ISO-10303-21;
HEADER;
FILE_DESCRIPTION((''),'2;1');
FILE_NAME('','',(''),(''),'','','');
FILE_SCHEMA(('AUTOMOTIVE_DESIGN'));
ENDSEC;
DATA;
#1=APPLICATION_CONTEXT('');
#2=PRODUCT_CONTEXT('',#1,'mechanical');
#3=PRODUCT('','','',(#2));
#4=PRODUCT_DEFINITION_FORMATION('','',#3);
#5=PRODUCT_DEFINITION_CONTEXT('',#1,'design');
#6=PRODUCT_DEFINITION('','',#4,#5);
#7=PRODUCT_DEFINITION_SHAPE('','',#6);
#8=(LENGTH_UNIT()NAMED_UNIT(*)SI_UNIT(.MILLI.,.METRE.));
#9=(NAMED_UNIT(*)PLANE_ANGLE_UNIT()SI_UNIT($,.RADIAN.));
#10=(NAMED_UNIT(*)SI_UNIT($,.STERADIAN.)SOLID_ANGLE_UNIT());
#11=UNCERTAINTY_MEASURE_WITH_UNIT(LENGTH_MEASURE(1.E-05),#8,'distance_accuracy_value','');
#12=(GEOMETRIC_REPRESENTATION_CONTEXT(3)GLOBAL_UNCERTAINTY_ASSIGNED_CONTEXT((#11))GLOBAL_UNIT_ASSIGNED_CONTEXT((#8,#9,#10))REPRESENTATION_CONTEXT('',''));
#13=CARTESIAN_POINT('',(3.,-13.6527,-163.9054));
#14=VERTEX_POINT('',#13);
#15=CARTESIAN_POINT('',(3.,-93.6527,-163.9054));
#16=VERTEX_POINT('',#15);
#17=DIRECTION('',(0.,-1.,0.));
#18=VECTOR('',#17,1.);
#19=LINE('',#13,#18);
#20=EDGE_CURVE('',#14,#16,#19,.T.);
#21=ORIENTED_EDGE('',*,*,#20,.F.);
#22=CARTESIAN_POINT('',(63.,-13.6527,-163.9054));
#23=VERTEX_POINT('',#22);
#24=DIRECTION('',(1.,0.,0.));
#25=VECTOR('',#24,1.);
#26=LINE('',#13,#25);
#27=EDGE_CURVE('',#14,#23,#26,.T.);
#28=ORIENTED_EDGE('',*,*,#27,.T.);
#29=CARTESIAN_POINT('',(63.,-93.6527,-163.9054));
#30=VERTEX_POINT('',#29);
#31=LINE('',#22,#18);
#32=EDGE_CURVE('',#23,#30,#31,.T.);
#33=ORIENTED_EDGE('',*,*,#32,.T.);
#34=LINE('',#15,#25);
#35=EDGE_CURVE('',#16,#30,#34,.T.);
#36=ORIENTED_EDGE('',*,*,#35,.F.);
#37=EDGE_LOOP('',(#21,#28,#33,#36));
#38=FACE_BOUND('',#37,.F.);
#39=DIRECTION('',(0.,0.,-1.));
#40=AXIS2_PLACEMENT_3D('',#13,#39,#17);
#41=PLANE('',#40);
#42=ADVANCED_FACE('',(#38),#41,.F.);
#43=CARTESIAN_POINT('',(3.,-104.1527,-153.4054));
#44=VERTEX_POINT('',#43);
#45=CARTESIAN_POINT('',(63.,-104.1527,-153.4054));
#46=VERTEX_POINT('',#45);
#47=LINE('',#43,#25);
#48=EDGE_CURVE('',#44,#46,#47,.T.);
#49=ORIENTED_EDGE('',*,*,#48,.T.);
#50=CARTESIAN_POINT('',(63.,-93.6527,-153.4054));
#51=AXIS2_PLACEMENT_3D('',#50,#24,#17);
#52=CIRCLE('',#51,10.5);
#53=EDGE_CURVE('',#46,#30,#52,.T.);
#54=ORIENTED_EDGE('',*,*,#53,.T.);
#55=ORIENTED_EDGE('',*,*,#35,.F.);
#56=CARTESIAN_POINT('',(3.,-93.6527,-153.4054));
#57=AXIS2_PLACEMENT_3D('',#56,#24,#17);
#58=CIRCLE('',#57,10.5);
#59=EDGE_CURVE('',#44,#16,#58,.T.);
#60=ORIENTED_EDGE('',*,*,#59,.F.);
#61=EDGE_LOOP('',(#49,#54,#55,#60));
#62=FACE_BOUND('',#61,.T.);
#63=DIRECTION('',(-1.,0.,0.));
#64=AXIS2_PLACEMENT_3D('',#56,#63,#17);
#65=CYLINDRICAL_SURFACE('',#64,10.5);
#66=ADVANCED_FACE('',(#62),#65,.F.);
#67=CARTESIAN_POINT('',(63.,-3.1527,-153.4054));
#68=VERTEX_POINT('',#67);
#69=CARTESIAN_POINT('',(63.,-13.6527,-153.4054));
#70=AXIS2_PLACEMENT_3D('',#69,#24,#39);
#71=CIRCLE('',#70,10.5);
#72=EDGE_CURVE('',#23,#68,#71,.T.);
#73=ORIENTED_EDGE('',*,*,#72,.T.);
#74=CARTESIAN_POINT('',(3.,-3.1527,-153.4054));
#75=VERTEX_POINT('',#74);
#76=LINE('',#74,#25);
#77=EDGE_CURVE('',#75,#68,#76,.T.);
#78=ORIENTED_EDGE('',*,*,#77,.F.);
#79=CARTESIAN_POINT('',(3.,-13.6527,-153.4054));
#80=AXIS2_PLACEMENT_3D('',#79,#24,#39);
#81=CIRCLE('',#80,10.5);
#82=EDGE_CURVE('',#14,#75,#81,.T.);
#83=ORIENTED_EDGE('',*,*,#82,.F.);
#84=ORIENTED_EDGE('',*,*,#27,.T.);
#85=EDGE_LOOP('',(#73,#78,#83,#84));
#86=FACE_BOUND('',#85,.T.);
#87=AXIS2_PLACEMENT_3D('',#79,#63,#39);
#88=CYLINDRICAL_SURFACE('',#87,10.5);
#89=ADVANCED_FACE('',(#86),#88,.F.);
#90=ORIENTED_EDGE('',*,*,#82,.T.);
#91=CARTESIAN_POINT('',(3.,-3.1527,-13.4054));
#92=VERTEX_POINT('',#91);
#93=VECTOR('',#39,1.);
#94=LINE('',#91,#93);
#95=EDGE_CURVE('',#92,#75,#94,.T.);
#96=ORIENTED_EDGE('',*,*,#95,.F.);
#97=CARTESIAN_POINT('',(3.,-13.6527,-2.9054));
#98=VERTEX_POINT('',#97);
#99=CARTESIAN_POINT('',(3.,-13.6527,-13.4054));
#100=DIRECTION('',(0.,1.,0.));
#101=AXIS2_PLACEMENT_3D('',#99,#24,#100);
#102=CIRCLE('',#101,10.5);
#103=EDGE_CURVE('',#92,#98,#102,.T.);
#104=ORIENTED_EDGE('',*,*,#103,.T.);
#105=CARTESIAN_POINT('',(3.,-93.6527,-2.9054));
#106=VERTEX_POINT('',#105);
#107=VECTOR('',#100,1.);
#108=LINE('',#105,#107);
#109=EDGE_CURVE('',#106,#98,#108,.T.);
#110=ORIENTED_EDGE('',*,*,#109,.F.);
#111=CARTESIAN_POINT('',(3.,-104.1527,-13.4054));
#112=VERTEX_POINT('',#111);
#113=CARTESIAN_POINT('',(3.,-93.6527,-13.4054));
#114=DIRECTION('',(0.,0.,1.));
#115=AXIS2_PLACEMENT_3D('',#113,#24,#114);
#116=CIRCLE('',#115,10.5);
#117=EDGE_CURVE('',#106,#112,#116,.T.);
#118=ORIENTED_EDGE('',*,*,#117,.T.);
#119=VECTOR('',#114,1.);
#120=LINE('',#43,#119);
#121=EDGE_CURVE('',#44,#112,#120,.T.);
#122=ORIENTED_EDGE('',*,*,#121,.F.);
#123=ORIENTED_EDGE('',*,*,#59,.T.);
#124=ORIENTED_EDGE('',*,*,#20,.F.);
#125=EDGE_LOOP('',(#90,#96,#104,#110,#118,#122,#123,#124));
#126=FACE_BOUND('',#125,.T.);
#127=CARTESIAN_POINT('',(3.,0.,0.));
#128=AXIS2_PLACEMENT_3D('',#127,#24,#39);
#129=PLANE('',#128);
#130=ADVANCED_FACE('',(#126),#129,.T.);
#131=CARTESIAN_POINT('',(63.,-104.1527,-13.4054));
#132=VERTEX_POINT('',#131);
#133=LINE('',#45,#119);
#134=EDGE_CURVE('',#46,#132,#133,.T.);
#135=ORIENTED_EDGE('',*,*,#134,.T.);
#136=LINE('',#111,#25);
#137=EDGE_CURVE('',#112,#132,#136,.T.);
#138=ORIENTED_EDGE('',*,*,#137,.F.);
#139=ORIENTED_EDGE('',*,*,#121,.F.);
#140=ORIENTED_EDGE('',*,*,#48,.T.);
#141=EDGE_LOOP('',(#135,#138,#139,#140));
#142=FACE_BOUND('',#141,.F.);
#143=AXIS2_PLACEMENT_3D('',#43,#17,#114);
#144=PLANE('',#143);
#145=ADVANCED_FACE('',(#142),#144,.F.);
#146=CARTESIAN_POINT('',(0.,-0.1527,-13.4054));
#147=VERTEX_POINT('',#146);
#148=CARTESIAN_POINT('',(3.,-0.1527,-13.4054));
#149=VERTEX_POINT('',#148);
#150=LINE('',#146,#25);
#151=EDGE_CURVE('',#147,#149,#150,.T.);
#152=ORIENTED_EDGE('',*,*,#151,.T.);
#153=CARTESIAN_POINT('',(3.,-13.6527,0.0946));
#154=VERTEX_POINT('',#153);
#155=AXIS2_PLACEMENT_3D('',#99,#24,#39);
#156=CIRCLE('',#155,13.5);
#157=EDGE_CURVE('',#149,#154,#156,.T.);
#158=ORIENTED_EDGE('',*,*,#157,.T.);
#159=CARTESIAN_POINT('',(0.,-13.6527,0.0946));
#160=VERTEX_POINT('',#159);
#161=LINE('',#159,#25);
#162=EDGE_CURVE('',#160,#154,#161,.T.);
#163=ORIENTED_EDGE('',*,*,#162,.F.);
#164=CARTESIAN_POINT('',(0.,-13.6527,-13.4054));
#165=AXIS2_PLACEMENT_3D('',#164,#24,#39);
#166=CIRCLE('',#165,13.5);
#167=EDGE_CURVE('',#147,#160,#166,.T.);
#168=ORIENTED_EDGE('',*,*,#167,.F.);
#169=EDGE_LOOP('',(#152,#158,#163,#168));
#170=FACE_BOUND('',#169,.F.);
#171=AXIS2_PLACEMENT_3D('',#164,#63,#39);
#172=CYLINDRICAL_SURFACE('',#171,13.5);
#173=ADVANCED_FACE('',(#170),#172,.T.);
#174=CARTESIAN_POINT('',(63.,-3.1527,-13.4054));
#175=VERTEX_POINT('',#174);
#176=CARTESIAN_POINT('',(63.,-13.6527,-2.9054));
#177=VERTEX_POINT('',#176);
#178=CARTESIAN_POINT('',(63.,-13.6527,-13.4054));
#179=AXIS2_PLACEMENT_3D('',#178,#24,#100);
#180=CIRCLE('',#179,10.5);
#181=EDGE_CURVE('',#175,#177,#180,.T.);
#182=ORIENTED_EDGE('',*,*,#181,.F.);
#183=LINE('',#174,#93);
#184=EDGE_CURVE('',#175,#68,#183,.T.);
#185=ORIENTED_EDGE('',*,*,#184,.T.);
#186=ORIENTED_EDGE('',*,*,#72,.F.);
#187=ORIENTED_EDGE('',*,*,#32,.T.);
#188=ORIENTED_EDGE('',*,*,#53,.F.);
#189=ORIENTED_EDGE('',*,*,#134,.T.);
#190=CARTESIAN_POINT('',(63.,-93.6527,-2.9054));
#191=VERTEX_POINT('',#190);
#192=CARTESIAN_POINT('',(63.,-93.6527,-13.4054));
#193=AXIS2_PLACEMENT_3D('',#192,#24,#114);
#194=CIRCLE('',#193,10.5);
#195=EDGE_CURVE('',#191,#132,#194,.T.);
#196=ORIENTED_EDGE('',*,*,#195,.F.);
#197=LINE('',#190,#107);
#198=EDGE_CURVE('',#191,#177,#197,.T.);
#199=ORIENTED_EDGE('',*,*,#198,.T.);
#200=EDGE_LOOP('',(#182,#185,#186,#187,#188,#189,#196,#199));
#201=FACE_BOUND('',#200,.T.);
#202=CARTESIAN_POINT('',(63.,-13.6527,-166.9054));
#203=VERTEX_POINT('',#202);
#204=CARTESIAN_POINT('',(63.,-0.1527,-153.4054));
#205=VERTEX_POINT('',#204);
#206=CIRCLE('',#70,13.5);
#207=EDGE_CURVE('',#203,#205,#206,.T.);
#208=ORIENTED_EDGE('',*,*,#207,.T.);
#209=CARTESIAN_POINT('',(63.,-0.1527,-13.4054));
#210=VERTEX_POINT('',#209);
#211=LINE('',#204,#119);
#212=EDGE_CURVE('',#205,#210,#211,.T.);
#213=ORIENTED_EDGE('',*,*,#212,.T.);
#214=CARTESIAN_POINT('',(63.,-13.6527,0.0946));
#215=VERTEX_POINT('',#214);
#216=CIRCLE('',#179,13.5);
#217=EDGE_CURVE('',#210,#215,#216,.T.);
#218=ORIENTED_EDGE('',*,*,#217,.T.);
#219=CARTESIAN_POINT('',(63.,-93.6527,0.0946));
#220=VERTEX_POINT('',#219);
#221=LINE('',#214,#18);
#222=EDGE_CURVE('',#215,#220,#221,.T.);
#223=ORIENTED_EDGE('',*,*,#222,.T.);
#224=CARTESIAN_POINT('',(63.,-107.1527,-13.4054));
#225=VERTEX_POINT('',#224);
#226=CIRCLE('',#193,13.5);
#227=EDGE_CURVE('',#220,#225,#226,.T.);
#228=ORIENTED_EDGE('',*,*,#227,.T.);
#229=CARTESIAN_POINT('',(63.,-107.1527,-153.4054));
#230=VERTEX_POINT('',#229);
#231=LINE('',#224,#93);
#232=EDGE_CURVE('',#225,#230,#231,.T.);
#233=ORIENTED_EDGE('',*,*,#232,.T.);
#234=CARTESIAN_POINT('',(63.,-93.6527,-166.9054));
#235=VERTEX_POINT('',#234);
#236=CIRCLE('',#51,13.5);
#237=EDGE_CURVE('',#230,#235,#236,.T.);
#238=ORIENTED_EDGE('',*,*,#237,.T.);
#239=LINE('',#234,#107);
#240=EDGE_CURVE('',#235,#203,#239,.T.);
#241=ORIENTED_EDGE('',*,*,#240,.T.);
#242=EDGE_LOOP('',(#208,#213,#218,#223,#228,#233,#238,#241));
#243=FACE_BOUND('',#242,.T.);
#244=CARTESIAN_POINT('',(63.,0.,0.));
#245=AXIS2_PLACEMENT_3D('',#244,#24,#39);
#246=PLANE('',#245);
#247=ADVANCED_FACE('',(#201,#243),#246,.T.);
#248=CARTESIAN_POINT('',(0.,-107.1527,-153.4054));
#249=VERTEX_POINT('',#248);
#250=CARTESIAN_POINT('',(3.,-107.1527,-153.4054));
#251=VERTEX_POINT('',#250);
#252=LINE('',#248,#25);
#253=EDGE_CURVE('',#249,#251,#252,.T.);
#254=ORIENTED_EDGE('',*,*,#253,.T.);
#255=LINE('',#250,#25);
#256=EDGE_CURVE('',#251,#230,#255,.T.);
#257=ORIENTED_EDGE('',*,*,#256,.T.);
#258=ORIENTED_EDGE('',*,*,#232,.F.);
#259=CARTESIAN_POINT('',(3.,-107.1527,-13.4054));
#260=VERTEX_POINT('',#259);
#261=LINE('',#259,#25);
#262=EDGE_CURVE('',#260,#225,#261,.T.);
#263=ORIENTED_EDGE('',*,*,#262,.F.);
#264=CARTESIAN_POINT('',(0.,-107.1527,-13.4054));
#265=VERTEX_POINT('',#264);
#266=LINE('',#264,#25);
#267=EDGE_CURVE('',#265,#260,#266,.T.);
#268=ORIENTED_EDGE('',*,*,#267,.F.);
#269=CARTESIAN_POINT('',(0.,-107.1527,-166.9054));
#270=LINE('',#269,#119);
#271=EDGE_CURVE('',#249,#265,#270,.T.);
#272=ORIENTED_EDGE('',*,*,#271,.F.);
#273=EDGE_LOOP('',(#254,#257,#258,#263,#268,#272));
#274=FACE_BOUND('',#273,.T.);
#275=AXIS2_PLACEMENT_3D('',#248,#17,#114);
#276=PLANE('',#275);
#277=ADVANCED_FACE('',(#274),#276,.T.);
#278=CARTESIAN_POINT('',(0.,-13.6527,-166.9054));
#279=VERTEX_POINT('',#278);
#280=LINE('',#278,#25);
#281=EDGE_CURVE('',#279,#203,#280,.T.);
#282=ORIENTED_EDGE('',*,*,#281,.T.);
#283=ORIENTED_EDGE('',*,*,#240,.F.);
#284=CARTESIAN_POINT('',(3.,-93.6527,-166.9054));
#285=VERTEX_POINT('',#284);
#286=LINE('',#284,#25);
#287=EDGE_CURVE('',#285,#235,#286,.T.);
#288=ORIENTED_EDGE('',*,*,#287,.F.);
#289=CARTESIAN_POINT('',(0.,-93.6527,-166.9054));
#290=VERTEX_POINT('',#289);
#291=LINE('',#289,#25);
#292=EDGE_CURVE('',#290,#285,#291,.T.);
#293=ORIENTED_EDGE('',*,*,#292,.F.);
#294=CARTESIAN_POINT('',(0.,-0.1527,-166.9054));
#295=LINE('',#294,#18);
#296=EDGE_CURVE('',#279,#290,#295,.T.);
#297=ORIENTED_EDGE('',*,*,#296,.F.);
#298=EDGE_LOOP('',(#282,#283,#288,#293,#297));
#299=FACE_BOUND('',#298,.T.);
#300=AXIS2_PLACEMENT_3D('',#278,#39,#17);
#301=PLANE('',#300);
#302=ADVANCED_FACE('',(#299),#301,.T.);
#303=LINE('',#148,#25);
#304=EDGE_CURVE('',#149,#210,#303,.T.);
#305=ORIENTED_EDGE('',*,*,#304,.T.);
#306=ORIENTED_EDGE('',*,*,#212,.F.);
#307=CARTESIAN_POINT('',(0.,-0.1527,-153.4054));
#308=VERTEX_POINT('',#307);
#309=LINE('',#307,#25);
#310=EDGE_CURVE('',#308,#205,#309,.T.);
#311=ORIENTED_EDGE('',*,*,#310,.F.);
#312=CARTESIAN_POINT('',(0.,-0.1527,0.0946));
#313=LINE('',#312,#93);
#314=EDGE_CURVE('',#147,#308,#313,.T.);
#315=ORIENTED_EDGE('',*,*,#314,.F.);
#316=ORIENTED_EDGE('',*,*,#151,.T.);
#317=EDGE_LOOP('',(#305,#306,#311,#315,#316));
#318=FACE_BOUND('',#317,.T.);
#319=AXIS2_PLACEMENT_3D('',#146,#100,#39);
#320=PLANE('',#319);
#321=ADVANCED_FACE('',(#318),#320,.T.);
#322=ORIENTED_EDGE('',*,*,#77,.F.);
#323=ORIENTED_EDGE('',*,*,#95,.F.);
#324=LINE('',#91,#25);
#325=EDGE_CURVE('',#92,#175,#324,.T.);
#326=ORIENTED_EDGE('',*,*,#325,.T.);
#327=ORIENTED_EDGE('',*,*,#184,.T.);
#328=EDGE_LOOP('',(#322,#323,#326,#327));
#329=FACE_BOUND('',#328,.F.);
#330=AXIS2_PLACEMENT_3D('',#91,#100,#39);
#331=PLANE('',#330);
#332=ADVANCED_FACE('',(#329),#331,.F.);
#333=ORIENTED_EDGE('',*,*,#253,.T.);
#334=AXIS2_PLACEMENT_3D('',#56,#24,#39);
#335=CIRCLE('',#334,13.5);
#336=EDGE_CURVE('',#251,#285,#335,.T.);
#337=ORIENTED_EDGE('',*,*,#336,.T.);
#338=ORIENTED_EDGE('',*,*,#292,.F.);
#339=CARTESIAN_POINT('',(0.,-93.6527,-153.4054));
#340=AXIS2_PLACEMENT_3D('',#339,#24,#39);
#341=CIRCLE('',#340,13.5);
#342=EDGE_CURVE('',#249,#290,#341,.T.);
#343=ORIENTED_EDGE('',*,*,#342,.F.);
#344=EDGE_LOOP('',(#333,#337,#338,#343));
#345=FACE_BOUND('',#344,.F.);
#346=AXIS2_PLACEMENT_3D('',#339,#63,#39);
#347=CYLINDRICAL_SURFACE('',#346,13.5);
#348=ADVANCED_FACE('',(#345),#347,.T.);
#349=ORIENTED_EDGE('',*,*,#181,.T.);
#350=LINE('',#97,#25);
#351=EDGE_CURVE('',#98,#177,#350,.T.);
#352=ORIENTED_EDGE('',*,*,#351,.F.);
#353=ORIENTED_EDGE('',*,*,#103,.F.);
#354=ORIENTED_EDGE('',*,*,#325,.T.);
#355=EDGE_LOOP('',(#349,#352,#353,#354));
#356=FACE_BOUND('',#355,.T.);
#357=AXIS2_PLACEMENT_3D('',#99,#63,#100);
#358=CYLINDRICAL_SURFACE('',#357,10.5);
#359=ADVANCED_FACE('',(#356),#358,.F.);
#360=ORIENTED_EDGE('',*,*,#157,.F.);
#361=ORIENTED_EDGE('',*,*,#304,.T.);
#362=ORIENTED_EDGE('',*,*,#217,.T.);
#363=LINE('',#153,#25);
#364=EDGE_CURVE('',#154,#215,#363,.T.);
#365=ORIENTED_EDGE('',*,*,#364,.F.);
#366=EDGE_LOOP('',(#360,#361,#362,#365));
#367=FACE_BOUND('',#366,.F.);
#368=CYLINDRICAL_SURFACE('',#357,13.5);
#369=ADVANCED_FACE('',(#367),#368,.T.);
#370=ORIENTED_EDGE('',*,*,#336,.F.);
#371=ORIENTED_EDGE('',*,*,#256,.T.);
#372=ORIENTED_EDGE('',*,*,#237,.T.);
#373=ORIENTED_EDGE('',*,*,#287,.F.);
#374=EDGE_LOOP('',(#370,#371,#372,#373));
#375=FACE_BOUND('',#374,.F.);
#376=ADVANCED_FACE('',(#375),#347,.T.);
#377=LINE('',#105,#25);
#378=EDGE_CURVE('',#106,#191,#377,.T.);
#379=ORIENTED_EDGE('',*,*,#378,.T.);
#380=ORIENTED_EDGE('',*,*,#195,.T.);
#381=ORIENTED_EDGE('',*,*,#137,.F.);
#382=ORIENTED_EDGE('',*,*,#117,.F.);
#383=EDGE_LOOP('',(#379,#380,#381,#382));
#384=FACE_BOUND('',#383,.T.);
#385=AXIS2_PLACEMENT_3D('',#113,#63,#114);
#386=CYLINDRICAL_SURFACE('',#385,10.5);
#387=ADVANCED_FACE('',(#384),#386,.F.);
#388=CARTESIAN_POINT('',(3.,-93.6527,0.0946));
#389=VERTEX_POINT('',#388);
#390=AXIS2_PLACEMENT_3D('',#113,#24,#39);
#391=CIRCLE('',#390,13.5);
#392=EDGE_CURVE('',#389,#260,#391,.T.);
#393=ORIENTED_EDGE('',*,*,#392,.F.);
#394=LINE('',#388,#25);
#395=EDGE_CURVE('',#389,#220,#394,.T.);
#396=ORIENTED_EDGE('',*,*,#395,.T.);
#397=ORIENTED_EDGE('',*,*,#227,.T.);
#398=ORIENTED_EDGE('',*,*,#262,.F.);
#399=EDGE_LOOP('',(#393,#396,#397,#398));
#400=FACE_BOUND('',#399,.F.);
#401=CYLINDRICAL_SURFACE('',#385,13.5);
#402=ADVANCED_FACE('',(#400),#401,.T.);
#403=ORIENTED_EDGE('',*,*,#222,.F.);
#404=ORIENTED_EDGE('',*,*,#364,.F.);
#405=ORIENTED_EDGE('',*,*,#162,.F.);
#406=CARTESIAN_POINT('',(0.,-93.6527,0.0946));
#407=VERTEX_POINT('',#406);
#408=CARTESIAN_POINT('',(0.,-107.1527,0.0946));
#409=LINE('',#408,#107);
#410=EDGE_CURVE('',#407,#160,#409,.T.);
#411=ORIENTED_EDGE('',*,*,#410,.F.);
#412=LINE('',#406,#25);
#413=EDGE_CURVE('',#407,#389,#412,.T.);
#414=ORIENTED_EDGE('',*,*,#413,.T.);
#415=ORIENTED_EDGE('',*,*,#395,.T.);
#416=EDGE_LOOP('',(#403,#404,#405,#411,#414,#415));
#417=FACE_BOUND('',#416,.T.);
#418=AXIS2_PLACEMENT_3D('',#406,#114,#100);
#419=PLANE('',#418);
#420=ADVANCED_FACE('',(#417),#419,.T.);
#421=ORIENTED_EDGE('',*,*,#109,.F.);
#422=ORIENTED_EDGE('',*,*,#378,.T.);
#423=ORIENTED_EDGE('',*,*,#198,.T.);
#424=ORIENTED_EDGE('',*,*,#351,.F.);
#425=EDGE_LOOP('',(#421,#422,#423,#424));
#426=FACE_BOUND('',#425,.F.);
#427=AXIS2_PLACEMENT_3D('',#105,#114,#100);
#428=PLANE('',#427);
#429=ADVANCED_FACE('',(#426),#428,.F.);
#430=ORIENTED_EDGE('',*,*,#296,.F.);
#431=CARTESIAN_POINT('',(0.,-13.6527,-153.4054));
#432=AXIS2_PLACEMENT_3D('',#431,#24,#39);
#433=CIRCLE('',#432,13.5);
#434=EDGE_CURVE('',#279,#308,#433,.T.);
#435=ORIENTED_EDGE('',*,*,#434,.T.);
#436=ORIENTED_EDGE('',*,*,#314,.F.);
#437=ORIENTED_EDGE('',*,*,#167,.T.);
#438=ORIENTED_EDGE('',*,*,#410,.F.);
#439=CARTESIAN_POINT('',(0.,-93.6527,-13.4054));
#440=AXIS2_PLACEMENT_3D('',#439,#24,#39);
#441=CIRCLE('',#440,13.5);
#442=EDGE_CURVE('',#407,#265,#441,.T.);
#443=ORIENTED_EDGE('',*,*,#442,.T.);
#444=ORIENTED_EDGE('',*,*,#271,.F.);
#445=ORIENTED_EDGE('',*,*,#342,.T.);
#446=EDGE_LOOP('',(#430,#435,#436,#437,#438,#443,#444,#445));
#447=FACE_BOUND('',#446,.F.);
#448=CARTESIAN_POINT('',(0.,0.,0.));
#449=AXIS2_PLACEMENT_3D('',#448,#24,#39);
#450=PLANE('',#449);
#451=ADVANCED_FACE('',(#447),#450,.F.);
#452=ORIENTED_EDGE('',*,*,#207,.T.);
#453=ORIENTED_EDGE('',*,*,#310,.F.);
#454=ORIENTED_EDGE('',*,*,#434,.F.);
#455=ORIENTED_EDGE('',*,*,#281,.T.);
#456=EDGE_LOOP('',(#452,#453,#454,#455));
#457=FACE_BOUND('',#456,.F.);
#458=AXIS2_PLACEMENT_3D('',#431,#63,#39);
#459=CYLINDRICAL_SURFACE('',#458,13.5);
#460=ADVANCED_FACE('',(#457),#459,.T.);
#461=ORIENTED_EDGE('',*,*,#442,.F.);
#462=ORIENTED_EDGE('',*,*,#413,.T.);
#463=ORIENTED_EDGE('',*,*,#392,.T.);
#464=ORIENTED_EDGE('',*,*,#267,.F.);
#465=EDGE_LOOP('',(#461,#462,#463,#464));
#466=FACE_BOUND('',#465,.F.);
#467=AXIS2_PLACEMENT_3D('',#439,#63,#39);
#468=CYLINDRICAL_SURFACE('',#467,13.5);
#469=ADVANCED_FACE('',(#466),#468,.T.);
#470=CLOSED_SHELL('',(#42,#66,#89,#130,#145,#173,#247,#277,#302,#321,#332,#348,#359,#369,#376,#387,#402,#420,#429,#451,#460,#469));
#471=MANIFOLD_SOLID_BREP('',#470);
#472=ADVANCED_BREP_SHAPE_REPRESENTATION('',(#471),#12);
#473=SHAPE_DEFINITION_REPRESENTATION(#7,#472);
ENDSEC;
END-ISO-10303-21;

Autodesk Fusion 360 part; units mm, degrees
sketch "Esquisse1" plane through (0, 0, 0) normal (1, 0, 0) x (0, 0, -1)
  line L0 (166.9054, -107.1527) -> (-0.0946, -107.1527)
  circle A0 centre (13.4054, -93.6527) radius 13.5
  line L1 (-0.0946, -107.1527) -> (-0.0946, -0.1527)
  circle A1 centre (13.4054, -13.6527) radius 13.5
  line L2 (-0.0946, -0.1527) -> (166.9054, -0.1527)
  circle A2 centre (153.4054, -13.6527) radius 13.5
  line L3 (166.9054, -0.1527) -> (166.9054, -107.1527)
  circle A3 centre (153.4054, -93.6527) radius 13.5
  dimension "d44" = 107
  dimension "d45" = 167
  dimension "d24" = 27
  dimension "d25" = 27
  dimension "d26" = 27
  dimension "d27" = 27
extrude "Extrusion3" add sketch "Esquisse1" along normal blind 3 contours L0 A0 L1 A1 L2 A2 L3 A3 | A3 | A0 | A2 | A1
sketch "Esquisse3" plane through (3, 0, 0) normal (1, 0, 0) x (0, 0, -1)
  arc A0 (13.4054, -0.1527) -> (-0.0946, -13.6527) centre (13.4054, -13.6527) ccw
  line L0 (-0.0946, -13.6527) -> (-0.0946, -93.6527)
  arc A1 (-0.0946, -93.6527) -> (13.4054, -107.1527) centre (13.4054, -93.6527) ccw
  line L1 (13.4054, -107.1527) -> (153.4054, -107.1527)
  arc A2 (153.4054, -107.1527) -> (166.9054, -93.6527) centre (153.4054, -93.6527) ccw
  line L2 (166.9054, -93.6527) -> (166.9054, -13.6527)
  arc A3 (166.9054, -13.6527) -> (153.4054, -0.1527) centre (153.4054, -13.6527) ccw
  line L3 (153.4054, -0.1527) -> (13.4054, -0.1527)
  line L4 (13.4054, -0.1527) -> (13.4054, -107.1527)
  line L5 (-0.0946, -13.6527) -> (166.9054, -13.6527)
  line L6 (153.4054, -0.1527) -> (153.4054, -107.1527)
  line L7 (166.9054, -93.6527) -> (-0.0946, -93.6527)
  line L8 (13.4054, -3.1527) -> (153.4054, -3.1527)
  line L9 (163.9054, -13.6527) -> (163.9054, -93.6527)
  line L10 (153.4054, -104.1527) -> (13.4054, -104.1527)
  line L11 (2.9054, -93.6527) -> (2.9054, -13.6527)
  line L12 (-0.0946, -0.1527) -> (166.9054, -0.1527)
  line L13 (-0.0946, -107.1527) -> (-0.0946, -0.1527)
  line L14 (166.9054, -107.1527) -> (-0.0946, -107.1527)
  line L15 (166.9054, -0.1527) -> (166.9054, -107.1527)
  arc A4 (13.4054, -3.1527) -> (2.9054, -13.6527) centre (13.4054, -13.6527) ccw
  arc A5 (163.9054, -13.6527) -> (153.4054, -3.1527) centre (153.4054, -13.6527) ccw
  arc A6 (2.9054, -93.6527) -> (13.4054, -104.1527) centre (13.4054, -93.6527) ccw
  arc A7 (153.4054, -104.1527) -> (163.9054, -93.6527) centre (153.4054, -93.6527) ccw
  dimension "d52" = 3
  dimension "d53" = 3
  dimension "d54" = 3
  dimension "d55" = 3
extrude "Extrusion4" add sketch "Esquisse3" along normal blind 60 contours A0 L4 L5 A4 | L3 L4 L6 L8 L12 | L0 L5 L7 L11 L13 | A3 L5 L6 A5 | A1 L4 L7 A6 | L2 L5 L7 L9 L15 | L1 L4 L6 L10 L14 | A2 L6 L7 A7
equation "d10 = largEntrePied + diaPiedBois"
equation "d11 = longEntrePied + diaPiedBois"
equation "d12 = diaPiedBois"
equation "d13 = diaExtPiedBois / 2"
equation "d14 = diaExtPiedBois / 2"
equation "d15 = diaPiedBois"
equation "d16 = diaPiedBois"
equation "d17 = diaPiedBois"
equation "d18 = diaExtPiedBois / 2"
equation "d44 = largEntrePied + diaExtPiedBois"
equation "d45 = longEntrePied + diaExtPiedBois"
equation "d24 = diaPiedBois + 5 mm"
equation "d25 = diaPiedBois + 5 mm"
equation "d26 = diaPiedBois + 5 mm"
equation "d27 = diaPiedBois + 5 mm"
